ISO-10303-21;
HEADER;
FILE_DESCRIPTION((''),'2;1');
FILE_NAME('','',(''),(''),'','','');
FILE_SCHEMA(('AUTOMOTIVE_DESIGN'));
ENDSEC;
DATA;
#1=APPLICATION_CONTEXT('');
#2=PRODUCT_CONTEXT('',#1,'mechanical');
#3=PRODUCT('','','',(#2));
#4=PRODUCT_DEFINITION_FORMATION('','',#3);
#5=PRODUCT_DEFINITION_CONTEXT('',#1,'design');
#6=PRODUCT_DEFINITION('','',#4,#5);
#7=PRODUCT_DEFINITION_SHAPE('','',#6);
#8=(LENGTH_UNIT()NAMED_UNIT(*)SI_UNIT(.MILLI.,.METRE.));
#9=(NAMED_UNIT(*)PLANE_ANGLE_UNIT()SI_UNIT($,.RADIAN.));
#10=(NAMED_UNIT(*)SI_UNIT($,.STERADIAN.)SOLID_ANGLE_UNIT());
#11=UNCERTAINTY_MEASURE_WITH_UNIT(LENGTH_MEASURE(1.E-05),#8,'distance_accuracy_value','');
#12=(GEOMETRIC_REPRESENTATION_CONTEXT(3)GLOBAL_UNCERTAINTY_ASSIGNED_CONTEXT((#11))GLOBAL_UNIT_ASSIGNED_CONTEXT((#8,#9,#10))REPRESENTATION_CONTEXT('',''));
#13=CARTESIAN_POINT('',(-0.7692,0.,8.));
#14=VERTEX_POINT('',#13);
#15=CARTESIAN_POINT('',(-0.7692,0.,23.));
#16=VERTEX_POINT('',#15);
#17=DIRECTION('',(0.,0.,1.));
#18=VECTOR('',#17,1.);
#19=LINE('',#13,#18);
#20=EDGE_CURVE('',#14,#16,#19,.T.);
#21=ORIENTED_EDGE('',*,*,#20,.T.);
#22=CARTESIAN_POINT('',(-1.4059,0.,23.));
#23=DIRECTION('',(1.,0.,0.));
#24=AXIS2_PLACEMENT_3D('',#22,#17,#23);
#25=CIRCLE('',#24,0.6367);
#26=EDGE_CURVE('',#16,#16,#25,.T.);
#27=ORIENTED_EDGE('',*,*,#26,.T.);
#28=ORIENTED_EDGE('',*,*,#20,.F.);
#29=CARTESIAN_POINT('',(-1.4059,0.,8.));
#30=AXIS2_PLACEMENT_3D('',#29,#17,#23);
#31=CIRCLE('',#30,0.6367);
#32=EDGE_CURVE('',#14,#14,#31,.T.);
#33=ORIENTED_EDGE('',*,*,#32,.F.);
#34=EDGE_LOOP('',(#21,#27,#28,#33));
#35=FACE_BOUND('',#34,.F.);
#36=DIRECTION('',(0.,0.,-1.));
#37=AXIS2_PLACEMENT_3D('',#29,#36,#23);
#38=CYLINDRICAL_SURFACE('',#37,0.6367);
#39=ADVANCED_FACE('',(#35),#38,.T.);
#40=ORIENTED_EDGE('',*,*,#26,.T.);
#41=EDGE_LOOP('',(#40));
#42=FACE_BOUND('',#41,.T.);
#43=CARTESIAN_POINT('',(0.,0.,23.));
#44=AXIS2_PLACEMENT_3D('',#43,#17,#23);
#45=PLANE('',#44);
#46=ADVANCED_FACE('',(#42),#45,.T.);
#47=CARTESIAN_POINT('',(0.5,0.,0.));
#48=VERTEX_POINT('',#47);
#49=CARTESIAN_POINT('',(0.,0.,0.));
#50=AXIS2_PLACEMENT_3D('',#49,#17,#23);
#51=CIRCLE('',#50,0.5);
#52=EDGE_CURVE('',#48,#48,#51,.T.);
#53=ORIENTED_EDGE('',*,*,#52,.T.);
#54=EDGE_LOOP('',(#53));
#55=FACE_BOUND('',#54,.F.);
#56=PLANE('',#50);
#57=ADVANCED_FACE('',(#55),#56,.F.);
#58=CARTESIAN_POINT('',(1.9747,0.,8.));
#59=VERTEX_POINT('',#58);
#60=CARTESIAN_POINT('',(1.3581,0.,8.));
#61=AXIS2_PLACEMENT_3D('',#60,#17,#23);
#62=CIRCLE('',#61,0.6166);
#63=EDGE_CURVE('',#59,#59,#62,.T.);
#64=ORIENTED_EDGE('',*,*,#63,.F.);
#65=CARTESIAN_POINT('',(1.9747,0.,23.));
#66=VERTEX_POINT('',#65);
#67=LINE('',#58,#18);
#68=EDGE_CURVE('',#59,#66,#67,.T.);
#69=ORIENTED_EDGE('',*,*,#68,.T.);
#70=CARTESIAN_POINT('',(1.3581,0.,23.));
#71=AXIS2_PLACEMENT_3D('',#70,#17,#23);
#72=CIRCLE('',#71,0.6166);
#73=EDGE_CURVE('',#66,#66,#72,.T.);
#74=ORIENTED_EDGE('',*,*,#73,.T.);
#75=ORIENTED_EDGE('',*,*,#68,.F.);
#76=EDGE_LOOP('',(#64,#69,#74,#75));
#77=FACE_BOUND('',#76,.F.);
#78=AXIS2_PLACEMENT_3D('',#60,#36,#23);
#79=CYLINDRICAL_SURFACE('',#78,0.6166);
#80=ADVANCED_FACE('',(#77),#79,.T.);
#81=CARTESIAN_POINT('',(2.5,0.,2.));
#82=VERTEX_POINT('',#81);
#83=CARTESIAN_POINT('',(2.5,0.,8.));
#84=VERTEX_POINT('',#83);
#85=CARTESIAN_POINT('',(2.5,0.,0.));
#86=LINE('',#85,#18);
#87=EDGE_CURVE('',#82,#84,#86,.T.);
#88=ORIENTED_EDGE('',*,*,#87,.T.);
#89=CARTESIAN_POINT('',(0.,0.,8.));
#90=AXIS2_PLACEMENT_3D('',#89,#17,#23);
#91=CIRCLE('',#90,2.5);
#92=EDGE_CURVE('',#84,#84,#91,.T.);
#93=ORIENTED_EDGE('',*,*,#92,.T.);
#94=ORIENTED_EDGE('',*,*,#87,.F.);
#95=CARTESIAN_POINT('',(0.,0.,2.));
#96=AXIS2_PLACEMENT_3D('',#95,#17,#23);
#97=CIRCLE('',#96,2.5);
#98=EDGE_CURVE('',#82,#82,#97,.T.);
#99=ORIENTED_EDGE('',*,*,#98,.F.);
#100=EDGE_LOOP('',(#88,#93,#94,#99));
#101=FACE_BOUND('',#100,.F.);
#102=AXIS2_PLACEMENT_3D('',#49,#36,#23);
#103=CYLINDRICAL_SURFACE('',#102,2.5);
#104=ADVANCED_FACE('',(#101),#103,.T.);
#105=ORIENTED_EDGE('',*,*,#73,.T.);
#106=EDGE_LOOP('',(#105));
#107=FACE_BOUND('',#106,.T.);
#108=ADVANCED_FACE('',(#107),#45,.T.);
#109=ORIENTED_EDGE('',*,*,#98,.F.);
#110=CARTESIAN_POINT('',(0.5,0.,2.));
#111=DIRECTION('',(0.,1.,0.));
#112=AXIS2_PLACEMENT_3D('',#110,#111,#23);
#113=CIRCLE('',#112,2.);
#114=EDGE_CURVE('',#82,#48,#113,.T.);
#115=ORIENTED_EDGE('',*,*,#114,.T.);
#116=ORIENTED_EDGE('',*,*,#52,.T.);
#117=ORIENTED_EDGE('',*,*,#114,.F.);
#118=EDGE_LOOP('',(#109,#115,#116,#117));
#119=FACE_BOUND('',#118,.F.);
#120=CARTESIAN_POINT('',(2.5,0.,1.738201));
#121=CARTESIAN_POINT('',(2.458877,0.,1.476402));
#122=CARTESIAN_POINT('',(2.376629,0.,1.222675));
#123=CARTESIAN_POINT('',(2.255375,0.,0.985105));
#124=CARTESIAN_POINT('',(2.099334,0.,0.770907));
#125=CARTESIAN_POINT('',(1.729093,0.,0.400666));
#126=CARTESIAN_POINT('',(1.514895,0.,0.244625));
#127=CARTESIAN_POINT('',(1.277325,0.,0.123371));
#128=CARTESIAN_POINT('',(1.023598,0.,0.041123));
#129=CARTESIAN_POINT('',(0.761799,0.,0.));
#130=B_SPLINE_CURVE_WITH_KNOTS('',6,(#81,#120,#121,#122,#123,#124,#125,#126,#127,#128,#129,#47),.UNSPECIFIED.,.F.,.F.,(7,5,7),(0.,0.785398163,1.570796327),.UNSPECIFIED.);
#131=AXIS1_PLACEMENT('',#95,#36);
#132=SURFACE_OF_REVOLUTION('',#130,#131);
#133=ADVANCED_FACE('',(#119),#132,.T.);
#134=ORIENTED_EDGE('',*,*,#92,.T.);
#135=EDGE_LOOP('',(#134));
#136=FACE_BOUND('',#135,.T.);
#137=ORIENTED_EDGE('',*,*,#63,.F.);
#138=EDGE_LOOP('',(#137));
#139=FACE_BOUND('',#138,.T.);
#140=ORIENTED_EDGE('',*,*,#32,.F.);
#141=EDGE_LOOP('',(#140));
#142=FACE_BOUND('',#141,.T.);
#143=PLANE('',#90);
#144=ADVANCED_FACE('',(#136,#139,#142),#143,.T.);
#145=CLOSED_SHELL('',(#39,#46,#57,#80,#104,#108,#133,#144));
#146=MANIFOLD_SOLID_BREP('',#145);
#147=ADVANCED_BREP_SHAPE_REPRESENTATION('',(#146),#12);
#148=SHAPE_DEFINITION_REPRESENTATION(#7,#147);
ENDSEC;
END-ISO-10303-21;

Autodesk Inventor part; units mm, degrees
ref_plane "YZ Plane" through (0, 0, 0) normal (1, 0, 0) x (0, 1, 0)
ref_plane "XZ Plane" through (0, 0, 0) normal (0, 1, 0) x (-1, 0, 0)
ref_plane "XY Plane" through (0, 0, 0) normal (0, 0, 1) x (1, 0, 0)
sketch "Sketch1" plane through (0, 0, 0) normal (0, 0, 1) x (1, 0, 0)
  circle A0 centre (0, 0) radius 2.5
  dimension "d0" = 5
extrude "Extrusion1" add sketch "Sketch1" along normal blind 8
sketch "Sketch2" plane through (0, 0, 8) normal (0, 0, 1) x (1, 0, 0)
  circle A0 centre (1.3581, 0) radius 0.6166
  circle A1 centre (-1.4059, 0) radius 0.6367
  point P0 (0, 0)
extrude "Extrusion2" add sketch "Sketch2" along normal blind 15
fillet "Fillet1" radius 2 1 edges at (-2.5, 0, 0)
properties part number "5mm_led"
